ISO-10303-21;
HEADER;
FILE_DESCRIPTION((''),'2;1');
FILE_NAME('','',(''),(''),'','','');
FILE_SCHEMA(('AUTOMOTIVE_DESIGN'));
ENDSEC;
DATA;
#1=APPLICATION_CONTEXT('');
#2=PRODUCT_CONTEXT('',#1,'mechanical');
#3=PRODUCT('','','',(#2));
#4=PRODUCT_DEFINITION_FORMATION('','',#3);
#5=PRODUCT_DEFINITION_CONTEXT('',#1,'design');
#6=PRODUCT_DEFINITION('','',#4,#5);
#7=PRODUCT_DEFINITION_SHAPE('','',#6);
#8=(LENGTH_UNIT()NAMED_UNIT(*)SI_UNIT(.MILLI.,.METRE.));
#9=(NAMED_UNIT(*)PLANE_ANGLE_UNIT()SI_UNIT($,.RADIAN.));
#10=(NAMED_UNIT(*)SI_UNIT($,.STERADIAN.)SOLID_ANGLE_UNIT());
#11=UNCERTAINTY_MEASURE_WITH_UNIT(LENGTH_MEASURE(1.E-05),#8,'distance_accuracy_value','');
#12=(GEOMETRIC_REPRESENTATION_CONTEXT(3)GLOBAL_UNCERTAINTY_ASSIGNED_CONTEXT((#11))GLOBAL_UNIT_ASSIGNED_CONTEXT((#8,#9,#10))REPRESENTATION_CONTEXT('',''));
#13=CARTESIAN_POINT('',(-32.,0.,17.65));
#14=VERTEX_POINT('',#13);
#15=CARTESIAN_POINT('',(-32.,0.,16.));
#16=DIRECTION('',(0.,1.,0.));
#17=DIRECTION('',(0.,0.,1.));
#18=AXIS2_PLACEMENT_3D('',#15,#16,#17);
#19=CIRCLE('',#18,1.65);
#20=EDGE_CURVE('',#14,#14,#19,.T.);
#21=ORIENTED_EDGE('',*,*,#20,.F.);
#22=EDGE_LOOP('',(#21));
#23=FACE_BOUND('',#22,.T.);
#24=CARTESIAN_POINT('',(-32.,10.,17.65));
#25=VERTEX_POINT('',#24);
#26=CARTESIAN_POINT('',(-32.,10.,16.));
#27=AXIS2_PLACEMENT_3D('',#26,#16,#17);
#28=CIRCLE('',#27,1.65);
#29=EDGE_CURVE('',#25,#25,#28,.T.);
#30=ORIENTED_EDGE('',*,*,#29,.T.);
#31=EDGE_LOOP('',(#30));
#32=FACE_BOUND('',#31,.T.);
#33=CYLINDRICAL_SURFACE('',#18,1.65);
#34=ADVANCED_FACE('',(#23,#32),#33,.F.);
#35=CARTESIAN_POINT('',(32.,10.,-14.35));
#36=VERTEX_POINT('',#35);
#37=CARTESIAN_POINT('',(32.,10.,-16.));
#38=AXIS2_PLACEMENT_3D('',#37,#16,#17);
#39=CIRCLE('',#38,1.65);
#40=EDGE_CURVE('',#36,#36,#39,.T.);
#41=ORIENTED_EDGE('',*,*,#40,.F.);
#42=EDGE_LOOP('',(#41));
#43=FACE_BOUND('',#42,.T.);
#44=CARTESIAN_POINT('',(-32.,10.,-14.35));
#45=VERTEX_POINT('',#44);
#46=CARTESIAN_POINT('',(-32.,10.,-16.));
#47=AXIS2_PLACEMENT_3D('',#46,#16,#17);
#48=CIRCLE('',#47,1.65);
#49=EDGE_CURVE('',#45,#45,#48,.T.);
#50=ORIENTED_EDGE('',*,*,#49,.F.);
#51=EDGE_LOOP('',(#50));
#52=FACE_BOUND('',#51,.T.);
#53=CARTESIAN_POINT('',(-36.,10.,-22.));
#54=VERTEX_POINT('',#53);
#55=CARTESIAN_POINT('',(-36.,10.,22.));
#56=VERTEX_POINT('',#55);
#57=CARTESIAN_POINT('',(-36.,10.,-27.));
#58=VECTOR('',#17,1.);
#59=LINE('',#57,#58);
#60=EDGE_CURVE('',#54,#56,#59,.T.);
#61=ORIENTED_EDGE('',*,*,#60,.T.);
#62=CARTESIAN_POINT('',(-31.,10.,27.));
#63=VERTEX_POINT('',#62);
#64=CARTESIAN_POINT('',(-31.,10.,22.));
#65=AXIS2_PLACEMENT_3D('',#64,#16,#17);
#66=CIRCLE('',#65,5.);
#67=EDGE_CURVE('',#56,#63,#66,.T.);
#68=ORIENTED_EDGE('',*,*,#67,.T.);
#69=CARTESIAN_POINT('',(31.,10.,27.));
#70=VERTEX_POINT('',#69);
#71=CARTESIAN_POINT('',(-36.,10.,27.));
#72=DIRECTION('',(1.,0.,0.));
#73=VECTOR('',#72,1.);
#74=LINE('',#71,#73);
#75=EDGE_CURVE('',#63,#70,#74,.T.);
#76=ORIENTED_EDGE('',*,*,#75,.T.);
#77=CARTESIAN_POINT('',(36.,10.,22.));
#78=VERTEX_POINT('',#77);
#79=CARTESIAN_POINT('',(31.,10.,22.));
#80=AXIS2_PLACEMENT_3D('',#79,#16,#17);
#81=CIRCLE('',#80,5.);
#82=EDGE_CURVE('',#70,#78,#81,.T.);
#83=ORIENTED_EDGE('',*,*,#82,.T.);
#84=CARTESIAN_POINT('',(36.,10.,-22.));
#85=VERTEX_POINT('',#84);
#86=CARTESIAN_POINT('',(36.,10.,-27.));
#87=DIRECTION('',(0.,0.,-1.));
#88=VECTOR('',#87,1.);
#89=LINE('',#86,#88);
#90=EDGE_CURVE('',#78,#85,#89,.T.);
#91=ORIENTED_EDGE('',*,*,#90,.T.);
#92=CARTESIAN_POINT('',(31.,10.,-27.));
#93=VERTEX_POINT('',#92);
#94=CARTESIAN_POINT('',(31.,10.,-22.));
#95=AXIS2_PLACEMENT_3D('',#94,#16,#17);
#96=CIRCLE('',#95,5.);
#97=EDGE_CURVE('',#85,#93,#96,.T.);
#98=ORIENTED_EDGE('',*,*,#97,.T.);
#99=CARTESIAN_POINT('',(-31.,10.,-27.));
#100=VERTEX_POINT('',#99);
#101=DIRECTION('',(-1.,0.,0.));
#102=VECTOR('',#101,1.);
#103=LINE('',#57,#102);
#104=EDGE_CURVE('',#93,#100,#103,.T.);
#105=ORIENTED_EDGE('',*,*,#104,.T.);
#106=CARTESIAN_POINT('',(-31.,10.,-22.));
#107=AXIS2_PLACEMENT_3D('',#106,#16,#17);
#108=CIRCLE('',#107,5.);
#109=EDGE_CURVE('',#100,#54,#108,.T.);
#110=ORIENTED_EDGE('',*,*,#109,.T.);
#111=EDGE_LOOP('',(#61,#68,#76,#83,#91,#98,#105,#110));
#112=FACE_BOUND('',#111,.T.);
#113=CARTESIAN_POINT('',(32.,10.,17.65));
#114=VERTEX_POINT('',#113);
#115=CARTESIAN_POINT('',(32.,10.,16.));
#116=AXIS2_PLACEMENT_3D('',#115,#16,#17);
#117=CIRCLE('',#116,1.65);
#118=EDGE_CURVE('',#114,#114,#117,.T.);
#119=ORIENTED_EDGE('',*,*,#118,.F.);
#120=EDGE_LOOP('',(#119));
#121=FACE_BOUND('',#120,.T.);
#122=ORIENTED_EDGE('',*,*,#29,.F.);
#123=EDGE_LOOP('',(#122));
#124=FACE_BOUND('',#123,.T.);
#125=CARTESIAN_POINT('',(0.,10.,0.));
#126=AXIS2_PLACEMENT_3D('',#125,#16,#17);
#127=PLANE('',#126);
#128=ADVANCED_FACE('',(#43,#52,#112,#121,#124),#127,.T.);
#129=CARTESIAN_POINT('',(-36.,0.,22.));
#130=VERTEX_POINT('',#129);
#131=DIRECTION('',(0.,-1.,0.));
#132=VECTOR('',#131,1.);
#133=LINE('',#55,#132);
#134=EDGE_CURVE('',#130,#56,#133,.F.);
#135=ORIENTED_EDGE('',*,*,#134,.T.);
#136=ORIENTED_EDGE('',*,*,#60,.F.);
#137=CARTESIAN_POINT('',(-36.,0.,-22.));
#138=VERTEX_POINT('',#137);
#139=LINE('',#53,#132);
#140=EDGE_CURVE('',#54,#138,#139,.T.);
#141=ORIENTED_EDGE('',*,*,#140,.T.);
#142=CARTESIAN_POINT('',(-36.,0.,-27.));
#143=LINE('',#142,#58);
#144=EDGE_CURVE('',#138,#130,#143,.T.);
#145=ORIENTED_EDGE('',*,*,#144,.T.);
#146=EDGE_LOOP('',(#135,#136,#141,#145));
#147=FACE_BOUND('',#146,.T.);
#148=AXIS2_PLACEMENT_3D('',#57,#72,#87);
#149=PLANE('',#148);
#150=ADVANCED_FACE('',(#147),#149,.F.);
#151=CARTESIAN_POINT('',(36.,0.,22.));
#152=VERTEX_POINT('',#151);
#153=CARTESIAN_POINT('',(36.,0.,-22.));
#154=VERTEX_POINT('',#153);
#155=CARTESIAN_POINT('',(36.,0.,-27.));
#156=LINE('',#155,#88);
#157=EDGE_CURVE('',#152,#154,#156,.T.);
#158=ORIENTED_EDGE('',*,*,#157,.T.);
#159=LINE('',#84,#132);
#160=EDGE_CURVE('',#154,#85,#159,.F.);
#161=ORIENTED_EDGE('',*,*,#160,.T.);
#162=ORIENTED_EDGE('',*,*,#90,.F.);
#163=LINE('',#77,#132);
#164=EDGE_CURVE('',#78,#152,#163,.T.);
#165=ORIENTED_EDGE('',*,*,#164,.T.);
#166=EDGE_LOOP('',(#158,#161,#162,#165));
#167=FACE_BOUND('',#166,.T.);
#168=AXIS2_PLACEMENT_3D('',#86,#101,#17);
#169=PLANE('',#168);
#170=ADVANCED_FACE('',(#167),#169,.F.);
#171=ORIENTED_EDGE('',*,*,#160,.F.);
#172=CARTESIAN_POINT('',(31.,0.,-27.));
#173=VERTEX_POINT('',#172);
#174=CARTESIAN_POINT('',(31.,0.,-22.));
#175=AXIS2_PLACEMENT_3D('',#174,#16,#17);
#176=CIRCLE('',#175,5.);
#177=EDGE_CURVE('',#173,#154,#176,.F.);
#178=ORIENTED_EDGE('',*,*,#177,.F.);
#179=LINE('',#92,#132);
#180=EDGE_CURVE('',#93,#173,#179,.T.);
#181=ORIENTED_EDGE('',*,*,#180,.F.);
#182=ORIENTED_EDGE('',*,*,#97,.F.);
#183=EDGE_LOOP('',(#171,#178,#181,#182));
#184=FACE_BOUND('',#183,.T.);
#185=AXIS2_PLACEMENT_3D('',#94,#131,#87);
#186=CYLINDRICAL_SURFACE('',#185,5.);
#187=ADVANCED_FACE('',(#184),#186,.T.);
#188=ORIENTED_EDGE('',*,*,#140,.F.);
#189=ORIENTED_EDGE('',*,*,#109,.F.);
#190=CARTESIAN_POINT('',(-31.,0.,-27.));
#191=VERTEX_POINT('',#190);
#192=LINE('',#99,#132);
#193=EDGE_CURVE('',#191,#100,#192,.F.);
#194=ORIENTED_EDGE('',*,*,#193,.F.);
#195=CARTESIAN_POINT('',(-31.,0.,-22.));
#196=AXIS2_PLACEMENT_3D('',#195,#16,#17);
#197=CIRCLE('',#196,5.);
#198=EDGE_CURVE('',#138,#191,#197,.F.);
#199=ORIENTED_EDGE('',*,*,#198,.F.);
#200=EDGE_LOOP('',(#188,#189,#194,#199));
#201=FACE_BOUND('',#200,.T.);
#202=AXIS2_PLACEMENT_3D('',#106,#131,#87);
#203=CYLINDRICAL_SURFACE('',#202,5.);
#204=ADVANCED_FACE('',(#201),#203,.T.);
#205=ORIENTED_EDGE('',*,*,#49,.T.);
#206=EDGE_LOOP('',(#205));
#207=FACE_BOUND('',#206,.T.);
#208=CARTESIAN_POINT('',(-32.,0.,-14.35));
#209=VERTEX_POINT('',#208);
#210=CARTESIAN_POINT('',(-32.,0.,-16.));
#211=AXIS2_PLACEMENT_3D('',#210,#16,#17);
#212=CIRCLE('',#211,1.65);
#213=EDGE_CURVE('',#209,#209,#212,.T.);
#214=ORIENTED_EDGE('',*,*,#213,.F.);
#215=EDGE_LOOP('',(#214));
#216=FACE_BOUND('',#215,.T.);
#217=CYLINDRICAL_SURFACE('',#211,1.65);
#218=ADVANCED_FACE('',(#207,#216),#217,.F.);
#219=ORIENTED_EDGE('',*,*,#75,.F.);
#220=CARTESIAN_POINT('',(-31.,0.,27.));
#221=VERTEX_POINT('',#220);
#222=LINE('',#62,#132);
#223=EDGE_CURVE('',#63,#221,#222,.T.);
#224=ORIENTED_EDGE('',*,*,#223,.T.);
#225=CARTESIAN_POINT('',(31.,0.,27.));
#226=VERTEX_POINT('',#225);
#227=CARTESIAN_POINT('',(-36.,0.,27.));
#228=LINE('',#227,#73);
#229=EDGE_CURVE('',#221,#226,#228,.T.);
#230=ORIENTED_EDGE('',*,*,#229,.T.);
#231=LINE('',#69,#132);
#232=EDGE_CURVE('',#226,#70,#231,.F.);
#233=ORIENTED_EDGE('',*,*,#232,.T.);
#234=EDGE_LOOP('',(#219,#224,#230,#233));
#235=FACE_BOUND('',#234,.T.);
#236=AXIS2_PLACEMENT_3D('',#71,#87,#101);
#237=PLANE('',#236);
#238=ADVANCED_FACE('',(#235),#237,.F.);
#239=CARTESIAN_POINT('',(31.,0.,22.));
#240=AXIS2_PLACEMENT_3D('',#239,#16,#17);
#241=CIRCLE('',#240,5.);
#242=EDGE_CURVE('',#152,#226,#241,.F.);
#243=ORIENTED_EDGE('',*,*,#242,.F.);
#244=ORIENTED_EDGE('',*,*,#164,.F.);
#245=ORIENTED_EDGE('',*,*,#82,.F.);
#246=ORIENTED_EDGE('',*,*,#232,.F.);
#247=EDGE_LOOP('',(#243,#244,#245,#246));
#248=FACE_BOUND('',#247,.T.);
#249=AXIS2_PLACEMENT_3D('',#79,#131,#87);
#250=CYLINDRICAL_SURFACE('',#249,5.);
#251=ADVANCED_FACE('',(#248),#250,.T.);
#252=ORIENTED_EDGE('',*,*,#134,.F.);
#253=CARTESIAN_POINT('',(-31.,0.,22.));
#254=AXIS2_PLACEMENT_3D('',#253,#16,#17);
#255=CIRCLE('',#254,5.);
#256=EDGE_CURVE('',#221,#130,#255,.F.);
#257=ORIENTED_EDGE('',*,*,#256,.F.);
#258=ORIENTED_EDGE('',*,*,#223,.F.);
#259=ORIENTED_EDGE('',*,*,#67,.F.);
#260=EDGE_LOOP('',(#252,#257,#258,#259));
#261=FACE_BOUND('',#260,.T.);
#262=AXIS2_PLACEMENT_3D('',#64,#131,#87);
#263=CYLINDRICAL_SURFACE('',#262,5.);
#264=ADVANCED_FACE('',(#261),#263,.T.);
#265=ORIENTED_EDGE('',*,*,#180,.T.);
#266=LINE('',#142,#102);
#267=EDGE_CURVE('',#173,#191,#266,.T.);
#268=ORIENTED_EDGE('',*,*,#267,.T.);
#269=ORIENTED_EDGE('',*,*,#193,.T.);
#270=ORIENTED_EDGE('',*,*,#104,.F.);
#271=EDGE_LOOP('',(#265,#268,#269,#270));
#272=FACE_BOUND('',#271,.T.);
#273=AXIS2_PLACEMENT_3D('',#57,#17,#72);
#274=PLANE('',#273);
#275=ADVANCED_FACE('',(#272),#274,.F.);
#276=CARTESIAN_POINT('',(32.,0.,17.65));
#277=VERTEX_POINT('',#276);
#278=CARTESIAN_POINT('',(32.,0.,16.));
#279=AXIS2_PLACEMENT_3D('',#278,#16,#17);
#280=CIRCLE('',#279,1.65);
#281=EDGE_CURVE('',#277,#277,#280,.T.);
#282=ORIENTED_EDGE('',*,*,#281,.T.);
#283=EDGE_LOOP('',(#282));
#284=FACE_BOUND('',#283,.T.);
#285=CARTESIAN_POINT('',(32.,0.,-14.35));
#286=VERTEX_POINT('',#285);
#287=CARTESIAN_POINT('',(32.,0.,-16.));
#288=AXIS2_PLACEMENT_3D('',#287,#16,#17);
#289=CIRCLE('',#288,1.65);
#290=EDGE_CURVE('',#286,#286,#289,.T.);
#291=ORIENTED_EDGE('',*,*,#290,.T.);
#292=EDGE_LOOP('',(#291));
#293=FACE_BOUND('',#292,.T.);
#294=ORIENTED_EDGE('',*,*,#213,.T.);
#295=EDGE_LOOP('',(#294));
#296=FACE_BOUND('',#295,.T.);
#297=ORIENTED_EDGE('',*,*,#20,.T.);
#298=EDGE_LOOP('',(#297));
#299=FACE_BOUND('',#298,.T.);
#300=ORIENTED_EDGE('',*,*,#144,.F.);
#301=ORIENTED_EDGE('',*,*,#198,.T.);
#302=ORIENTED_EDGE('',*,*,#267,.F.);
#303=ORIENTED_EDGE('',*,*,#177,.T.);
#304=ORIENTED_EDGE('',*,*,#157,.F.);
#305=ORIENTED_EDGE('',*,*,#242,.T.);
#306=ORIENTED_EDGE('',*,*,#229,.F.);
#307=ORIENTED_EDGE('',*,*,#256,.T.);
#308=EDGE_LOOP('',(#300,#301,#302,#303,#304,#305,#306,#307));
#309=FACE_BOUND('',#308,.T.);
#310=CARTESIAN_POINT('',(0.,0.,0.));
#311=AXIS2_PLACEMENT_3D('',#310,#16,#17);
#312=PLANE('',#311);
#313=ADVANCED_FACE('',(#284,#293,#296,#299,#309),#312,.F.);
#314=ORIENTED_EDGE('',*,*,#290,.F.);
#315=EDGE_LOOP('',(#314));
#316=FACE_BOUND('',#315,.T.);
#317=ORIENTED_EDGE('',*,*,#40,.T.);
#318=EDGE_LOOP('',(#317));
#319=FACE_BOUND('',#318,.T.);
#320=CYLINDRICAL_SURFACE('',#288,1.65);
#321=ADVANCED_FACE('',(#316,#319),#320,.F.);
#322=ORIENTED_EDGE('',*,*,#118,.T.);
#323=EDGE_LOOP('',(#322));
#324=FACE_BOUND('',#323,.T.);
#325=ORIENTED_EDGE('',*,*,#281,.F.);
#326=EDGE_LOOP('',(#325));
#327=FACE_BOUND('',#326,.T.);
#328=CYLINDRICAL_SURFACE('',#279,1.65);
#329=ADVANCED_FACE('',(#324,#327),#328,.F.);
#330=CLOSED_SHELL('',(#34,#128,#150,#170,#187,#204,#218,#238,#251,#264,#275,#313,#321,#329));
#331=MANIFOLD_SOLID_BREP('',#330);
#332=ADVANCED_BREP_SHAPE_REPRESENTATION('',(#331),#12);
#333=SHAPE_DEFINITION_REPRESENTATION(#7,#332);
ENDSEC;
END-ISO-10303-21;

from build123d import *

# Parameters (mm, degrees)
SKETCH_1_W               = 72
SKETCH_1_H               = 54
EXTRUDE_1_DEPTH          = 10
CUT_EXTRUDE_1_DEPTH      = 47.097722286
CUT_EXTRUDE_1_DEPTH_BACK = 47.097722286
SKETCH_2_R               = 1.65
FILLET_1_R               = 5


with BuildPart() as part:
    # 草图1 → 凸台-拉伸1 (new body)
    with BuildSketch(Plane(origin=(0, 0, 0), x_dir=(1, 0, 0), z_dir=(0, 1, 0))):
        Rectangle(SKETCH_1_W, SKETCH_1_H)
    extrude(amount=EXTRUDE_1_DEPTH)

    # 草图2 → 切除-拉伸1 (cut, two sides: drawn at the far end of the back side and taken through both)
    with BuildSketch(Plane(origin=(0, 10, 0), x_dir=(1, 0, 0), z_dir=(0, 1, 0)).offset(-CUT_EXTRUDE_1_DEPTH_BACK)):
        with Locations(Location((-32, 16, 0), (0, 0, 270))):
            Circle(SKETCH_2_R)
        with Locations(Location((32, 16, 0), (0, 0, 270))):
            Circle(SKETCH_2_R)
        with Locations(Location((32, -16, 0), (0, 0, 270))):
            Circle(SKETCH_2_R)
        with Locations(Location((-32, -16, 0), (0, 0, 270))):
            Circle(SKETCH_2_R)
    extrude(amount=CUT_EXTRUDE_1_DEPTH + CUT_EXTRUDE_1_DEPTH_BACK, mode=Mode.SUBTRACT)

    # 圆角1
    fillet_1_edges = [part.edges().sort_by_distance(p)[0] for p in [
        (36, 5, 27),
        (-36, 5, 27),
        (-36, 5, -27),
        (36, 5, -27),
    ]]
    fillet(fillet_1_edges, radius=FILLET_1_R)


solid = part.part
